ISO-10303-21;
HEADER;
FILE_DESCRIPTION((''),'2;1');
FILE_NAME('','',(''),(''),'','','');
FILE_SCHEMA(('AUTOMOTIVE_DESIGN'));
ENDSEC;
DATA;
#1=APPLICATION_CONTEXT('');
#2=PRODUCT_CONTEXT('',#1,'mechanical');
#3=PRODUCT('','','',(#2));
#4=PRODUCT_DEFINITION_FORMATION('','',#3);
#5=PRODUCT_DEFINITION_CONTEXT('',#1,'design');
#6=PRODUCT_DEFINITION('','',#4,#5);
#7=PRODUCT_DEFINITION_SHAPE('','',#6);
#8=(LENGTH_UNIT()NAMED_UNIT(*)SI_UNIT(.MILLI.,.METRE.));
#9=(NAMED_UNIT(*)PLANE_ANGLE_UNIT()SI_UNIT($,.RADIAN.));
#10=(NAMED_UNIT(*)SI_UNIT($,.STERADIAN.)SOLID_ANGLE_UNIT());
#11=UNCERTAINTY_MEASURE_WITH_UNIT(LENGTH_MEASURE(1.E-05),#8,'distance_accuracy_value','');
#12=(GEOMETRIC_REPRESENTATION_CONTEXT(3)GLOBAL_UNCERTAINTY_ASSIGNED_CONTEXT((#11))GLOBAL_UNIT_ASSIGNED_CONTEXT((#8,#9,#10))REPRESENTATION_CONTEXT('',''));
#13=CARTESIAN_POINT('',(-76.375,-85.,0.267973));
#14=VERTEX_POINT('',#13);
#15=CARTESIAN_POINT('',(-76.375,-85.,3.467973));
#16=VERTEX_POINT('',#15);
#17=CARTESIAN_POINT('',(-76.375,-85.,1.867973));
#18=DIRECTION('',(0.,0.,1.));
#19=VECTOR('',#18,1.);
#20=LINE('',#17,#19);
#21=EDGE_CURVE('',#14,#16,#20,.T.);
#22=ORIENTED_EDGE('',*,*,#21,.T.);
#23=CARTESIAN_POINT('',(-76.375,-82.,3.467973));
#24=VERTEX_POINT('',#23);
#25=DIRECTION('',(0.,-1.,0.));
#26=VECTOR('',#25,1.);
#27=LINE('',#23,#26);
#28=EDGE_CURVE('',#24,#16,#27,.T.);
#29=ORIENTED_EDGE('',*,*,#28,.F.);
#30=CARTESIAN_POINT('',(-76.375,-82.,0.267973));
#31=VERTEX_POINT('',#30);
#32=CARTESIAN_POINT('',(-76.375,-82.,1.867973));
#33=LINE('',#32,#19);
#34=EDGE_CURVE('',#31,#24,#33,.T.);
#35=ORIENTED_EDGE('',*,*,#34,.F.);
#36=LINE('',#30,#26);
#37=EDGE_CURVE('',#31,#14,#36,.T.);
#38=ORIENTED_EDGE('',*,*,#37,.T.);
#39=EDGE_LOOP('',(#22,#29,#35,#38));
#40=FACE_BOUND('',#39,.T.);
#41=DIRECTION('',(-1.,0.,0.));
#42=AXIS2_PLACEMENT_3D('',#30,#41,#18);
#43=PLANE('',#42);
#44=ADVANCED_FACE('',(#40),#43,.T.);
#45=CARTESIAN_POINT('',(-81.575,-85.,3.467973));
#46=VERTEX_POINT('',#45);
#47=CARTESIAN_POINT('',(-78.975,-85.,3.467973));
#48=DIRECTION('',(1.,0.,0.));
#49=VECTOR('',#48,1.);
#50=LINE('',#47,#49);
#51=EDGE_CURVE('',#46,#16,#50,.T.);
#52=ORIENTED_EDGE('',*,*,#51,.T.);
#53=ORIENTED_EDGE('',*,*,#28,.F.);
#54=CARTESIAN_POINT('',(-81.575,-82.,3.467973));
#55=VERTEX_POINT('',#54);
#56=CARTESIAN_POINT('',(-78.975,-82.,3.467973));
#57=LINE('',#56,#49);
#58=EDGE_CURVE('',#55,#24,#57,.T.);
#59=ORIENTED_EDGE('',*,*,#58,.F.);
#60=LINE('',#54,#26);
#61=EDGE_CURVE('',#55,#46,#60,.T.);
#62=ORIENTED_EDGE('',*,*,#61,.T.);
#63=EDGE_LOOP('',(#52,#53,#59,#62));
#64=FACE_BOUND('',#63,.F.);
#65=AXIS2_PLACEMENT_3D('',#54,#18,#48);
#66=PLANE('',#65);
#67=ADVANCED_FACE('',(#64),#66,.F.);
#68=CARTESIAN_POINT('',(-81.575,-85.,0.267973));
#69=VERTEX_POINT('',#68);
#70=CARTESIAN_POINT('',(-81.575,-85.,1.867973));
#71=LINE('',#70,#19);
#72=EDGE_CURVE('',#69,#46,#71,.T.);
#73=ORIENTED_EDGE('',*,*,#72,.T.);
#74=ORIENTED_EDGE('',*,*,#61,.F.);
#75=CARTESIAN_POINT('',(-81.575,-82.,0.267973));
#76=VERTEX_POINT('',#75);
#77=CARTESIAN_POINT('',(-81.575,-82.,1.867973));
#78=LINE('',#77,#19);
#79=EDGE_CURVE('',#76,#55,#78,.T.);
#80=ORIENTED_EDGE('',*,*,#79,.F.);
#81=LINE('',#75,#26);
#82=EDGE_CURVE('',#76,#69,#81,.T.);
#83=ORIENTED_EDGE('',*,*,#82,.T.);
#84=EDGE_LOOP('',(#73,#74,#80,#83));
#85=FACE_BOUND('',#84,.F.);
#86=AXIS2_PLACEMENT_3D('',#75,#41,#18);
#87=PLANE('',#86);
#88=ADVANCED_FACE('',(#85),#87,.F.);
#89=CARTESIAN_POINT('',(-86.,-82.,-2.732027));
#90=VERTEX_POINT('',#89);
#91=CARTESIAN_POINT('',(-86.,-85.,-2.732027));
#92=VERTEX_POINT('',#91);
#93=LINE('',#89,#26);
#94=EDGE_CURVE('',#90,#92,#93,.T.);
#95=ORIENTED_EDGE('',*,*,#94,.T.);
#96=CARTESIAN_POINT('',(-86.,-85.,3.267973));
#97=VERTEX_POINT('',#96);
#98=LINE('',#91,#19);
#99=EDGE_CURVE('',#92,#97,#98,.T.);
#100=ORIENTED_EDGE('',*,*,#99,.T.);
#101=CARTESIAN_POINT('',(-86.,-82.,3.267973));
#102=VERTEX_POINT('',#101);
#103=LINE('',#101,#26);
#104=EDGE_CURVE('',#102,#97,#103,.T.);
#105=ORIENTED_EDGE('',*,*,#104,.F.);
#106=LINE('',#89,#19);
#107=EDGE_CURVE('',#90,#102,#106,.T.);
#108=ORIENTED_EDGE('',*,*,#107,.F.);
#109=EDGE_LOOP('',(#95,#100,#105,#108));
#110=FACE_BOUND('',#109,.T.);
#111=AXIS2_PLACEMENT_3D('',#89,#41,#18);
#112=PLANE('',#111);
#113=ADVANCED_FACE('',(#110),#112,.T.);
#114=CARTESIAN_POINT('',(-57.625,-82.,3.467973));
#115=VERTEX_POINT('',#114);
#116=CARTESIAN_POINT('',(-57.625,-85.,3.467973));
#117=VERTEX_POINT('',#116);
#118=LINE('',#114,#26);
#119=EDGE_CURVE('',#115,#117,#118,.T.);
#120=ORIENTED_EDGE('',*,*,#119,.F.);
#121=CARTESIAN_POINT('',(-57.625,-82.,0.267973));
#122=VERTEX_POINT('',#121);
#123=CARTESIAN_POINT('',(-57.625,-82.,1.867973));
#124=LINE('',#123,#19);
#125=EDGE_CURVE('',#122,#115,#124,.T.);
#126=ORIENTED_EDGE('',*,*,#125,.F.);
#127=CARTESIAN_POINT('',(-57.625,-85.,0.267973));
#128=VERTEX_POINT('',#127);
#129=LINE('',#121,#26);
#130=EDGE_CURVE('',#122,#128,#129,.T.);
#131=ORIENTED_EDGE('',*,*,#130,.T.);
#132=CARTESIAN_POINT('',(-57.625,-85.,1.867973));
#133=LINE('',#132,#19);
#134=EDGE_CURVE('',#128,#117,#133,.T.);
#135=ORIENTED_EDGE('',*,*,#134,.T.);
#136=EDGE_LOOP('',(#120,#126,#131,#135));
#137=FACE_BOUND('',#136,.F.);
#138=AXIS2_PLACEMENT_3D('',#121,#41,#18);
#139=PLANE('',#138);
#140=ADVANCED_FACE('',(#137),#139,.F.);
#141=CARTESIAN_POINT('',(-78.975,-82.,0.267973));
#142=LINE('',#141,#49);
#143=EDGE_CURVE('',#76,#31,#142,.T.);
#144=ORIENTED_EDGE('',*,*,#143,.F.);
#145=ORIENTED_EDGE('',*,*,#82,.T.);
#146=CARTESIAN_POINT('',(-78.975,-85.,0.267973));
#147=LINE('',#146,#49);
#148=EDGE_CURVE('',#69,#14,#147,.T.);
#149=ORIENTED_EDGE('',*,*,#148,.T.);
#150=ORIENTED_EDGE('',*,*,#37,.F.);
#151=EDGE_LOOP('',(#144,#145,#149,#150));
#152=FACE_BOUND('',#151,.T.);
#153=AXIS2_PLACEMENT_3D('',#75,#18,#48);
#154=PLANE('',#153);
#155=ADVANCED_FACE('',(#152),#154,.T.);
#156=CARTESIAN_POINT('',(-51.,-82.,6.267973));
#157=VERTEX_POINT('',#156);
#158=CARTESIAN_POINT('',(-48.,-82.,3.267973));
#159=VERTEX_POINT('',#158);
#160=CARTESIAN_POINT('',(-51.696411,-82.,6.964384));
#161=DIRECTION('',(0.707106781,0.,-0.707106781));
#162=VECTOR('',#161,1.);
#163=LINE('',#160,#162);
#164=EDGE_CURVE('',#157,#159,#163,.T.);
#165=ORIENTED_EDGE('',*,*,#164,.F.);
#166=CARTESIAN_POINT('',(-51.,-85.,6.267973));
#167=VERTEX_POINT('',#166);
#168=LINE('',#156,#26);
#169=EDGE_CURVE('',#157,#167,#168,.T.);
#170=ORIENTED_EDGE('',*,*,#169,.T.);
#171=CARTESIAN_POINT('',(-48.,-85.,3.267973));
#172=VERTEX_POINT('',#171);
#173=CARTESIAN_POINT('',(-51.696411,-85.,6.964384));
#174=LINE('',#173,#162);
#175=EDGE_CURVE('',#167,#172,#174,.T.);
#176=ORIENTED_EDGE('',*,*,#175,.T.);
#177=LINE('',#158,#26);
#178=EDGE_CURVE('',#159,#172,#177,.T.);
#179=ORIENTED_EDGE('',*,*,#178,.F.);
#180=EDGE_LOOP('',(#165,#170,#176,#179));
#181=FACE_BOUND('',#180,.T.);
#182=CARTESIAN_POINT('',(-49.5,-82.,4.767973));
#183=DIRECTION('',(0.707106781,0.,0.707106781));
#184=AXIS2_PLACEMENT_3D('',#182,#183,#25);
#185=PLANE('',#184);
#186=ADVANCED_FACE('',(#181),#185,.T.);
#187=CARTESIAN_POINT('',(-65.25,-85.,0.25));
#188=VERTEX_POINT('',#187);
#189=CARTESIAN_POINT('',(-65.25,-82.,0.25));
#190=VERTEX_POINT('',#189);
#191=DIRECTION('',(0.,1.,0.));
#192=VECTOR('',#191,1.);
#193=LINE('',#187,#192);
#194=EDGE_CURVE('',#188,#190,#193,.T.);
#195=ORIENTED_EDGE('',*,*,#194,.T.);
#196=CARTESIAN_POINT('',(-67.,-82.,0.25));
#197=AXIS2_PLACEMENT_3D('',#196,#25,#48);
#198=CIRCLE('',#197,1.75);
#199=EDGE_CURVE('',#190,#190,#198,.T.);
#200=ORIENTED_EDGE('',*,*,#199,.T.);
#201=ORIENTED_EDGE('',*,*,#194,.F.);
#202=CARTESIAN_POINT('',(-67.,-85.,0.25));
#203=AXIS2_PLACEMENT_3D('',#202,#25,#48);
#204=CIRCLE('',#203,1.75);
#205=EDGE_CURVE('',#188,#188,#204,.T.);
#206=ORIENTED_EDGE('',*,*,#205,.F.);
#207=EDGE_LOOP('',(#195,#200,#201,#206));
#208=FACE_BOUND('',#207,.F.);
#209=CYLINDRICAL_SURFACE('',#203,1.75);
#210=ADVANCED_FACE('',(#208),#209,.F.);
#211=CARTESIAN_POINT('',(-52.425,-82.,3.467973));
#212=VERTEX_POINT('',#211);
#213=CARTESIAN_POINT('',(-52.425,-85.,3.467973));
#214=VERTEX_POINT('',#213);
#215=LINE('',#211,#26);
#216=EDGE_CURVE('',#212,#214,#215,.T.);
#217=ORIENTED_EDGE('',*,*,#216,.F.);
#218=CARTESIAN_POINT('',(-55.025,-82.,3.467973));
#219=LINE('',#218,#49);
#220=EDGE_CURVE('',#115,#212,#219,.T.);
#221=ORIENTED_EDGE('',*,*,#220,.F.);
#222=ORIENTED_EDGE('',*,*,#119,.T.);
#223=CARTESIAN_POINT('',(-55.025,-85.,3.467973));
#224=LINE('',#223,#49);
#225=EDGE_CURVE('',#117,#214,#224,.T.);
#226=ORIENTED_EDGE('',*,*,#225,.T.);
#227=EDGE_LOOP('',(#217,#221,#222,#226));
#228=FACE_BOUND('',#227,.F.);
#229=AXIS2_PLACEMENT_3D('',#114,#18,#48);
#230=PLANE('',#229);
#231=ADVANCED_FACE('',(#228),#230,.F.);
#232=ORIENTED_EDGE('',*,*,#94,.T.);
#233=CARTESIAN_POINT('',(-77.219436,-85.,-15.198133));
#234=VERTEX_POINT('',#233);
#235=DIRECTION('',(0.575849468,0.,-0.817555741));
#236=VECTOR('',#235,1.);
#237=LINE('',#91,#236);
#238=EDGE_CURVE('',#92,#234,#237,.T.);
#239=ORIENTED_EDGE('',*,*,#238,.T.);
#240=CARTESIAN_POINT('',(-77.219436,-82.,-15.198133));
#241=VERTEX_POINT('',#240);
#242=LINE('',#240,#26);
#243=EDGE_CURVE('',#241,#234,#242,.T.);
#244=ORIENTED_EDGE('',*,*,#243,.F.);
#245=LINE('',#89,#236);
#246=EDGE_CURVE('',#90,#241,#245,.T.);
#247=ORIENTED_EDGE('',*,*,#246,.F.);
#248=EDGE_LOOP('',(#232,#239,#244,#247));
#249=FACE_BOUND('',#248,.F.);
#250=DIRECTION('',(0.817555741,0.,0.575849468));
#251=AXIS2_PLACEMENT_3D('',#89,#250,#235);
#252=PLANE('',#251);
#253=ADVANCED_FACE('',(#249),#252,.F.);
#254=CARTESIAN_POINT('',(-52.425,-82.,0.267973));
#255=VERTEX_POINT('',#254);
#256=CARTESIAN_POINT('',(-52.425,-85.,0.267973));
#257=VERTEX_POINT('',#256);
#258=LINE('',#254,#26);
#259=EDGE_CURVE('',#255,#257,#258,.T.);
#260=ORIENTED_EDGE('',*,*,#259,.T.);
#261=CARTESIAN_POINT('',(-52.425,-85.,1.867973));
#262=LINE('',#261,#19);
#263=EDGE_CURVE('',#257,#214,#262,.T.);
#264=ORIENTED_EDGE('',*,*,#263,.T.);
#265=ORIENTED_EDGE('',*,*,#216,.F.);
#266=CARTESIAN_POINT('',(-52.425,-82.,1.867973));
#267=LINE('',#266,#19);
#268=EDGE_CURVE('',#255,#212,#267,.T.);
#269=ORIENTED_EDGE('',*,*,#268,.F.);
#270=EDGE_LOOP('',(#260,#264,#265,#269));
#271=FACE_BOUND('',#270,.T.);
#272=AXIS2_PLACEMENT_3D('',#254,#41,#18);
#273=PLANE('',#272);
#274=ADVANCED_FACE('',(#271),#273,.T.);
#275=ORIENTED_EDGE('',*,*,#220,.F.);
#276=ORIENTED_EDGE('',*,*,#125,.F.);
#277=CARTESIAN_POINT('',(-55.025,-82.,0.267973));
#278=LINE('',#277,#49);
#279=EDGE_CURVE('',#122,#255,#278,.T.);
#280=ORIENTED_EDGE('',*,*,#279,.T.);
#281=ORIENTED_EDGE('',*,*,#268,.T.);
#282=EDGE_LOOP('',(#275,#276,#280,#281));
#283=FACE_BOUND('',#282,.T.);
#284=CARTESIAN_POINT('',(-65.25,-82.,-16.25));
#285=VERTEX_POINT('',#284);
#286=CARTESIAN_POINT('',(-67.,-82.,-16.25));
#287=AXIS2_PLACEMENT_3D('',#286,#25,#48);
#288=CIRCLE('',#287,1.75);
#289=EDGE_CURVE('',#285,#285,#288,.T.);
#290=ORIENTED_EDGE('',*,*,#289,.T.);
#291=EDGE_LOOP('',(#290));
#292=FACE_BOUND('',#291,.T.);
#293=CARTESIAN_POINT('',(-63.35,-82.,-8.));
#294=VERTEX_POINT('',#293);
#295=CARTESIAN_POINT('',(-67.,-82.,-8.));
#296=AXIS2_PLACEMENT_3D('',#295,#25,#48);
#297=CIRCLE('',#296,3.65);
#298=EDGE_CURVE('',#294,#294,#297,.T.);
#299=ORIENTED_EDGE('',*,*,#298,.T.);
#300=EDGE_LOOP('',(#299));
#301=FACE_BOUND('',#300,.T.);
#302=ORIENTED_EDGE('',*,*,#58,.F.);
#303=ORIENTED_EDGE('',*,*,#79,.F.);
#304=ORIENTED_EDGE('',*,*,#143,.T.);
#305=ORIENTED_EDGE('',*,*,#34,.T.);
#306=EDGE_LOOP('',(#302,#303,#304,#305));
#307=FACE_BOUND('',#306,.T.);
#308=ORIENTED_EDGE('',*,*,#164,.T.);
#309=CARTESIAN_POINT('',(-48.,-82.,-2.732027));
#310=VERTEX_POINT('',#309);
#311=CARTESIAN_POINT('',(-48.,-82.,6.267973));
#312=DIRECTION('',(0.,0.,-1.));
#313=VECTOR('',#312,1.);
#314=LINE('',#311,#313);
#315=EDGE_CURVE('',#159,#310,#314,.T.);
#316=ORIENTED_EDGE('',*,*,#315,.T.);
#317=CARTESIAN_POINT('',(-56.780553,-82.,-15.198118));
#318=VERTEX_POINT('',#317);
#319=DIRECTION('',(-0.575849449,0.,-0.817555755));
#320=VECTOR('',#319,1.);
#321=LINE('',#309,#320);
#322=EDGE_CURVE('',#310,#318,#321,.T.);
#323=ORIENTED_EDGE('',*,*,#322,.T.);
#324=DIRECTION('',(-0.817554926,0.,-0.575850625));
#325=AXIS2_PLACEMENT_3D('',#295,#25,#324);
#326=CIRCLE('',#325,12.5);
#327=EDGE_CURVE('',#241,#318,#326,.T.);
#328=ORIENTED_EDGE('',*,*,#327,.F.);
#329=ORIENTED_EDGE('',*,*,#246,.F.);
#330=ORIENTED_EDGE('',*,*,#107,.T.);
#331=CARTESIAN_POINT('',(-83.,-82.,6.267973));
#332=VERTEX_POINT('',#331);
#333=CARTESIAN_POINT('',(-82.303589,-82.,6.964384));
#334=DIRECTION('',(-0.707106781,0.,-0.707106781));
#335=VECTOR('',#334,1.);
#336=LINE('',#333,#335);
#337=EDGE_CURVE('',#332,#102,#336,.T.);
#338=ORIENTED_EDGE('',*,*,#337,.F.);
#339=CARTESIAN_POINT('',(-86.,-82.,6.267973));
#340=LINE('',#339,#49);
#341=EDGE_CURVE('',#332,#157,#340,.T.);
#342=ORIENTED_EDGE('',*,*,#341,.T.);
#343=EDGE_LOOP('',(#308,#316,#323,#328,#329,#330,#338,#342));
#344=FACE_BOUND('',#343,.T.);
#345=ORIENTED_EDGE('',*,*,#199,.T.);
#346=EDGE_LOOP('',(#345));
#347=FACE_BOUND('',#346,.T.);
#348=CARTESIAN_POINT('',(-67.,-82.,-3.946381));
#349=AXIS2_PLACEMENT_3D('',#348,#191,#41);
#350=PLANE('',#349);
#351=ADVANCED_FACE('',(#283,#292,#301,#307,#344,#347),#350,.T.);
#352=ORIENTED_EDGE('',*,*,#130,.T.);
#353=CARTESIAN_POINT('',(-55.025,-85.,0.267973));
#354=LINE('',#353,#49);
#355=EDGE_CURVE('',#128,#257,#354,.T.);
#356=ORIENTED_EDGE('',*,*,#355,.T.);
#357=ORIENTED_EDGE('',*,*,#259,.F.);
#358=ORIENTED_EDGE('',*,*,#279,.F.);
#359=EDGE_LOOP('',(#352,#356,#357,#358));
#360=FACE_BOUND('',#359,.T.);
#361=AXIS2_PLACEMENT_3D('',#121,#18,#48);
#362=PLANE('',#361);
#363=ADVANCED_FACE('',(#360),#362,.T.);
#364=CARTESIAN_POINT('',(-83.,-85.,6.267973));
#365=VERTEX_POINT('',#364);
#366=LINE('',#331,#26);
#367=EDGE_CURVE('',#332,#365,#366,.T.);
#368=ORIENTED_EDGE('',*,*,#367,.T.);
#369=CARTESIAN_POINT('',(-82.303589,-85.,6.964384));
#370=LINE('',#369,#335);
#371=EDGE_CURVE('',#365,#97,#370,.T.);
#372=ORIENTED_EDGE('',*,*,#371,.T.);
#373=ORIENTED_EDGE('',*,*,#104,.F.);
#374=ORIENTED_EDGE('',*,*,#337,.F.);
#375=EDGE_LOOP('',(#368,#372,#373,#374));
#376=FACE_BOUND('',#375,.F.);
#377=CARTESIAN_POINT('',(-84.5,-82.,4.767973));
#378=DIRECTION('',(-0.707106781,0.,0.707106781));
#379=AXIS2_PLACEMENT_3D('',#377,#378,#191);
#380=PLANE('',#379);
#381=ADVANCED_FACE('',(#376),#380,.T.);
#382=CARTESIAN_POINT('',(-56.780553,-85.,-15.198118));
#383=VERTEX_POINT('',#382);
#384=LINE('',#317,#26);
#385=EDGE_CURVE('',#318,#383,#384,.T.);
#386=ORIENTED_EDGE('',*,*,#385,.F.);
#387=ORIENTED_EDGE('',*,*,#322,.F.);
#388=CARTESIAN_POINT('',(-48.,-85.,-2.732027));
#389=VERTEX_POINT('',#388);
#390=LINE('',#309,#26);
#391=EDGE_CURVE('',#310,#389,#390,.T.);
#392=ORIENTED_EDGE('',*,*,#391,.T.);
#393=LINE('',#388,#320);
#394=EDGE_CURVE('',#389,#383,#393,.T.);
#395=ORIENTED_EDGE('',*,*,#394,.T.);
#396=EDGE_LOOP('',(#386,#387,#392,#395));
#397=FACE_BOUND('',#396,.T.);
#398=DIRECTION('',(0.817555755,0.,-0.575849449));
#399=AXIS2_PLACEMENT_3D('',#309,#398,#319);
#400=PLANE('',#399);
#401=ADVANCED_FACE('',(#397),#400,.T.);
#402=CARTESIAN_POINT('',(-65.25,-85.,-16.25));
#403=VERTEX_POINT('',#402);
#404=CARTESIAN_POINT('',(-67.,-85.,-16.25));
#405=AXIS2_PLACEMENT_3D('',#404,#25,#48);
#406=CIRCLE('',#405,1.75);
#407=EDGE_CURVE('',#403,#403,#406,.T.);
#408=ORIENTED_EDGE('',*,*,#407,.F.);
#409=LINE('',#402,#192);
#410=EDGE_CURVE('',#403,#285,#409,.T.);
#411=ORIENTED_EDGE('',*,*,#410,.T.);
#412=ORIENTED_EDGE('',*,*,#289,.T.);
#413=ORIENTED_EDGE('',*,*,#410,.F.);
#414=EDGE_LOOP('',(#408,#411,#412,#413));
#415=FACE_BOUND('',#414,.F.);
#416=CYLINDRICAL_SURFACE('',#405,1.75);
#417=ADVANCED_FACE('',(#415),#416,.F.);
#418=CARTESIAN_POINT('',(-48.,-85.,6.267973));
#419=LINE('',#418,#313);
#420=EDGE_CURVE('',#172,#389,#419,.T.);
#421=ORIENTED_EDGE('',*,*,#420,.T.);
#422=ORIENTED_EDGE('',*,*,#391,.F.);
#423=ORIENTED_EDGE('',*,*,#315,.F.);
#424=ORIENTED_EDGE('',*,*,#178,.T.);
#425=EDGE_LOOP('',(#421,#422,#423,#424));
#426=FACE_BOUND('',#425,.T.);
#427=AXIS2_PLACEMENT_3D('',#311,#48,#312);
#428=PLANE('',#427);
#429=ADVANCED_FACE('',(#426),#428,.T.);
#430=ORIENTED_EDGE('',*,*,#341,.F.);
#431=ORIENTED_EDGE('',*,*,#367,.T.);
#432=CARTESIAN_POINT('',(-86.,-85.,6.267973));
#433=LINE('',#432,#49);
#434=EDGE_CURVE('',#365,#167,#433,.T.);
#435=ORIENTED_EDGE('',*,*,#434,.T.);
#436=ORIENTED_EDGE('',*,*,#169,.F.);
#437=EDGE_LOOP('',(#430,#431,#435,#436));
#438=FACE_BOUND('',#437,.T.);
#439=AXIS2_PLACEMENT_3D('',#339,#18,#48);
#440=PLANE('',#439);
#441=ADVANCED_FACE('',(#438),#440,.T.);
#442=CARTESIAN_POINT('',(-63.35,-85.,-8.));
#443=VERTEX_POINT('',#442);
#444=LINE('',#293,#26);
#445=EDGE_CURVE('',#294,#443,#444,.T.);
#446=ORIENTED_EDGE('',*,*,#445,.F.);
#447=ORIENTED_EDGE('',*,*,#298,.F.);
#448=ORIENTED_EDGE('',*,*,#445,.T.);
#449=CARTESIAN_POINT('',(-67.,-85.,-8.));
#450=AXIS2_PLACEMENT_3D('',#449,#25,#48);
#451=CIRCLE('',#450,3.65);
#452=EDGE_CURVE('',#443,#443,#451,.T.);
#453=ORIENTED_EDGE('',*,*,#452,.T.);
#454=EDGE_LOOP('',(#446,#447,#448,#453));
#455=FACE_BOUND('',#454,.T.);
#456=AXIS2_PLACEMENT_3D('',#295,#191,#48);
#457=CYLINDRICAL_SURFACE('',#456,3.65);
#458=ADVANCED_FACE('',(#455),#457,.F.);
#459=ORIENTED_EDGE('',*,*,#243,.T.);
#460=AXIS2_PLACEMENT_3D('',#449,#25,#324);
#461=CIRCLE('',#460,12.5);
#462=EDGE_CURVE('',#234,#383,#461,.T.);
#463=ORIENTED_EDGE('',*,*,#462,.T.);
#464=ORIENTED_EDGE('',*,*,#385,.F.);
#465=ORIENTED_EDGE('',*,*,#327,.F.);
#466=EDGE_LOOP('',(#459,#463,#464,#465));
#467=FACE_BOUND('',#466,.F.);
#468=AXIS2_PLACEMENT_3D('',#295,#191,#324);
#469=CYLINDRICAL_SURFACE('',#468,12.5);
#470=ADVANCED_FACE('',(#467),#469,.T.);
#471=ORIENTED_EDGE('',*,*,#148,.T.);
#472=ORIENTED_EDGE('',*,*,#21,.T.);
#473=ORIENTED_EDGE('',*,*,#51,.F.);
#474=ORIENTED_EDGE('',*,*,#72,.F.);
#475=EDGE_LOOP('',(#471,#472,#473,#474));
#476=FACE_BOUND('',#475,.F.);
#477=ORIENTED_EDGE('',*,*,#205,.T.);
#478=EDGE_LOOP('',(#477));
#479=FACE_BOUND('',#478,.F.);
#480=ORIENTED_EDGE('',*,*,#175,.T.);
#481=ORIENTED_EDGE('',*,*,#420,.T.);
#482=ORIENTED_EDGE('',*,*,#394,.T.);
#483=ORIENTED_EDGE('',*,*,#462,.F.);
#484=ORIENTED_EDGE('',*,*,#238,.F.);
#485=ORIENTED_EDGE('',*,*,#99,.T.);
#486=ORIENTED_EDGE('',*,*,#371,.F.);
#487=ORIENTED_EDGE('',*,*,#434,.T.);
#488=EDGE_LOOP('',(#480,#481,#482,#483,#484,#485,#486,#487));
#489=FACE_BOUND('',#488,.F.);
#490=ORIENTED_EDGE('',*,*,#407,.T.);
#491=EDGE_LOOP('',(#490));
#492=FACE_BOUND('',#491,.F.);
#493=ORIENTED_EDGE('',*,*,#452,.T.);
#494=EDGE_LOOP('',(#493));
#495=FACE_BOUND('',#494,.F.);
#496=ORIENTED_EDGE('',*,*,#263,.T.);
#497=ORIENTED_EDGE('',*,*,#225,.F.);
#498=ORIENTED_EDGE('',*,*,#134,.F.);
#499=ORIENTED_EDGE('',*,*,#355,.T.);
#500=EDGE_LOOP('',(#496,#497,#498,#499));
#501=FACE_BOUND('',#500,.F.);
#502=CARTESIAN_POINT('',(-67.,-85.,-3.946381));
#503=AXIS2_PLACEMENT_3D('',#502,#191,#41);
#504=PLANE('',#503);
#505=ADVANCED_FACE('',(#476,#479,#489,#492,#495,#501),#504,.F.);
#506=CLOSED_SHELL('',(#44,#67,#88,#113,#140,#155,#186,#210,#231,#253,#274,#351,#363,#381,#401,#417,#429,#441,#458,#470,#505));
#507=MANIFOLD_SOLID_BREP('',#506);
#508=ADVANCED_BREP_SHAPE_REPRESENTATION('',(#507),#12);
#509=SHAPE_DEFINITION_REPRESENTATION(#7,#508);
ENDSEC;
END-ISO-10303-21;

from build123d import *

# Parameters (mm, degrees)
SKETCH003_R             = 3.65
SKETCH003_W             = 5.2
SKETCH003_H             = 3.2
PAD003_DEPTH            = 3
SKETCH009_R             = 1.75
POCKET004_DEPTH         = 3.001
CHAMFER_SIZE            = 3
BODY002_PLACEMENT_ANGLE = 90


with BuildPart() as part:
    # Sketch003 → Pad003 (new body)
    with BuildSketch(Plane.XY):
        with BuildLine():
            Line((-19, 14.267973), (19, 14.267973))
            Line((19, 14.267973), (19, 5.267973))
            Line((19, 5.267973), (10.219447, -7.198118))
            ThreePointArc((-10.219436, -7.198133), (9e-06, -12.5), (10.219447, -7.198118))
            Line((-19, 5.267973), (-10.219436, -7.198133))
            Line((-19, 5.267973), (-19, 14.267973))
        make_face()
        Circle(SKETCH003_R, mode=Mode.SUBTRACT)
        with Locations((-11.975, 9.867973)):
            Rectangle(SKETCH003_W, SKETCH003_H, mode=Mode.SUBTRACT)
        with Locations((11.975, 9.867973)):
            Rectangle(SKETCH003_W, SKETCH003_H, mode=Mode.SUBTRACT)
    extrude(amount=PAD003_DEPTH)

    # Sketch009 (on Face17 of Pad003) → Pocket004 (cut, through all)
    with BuildSketch(Plane.XY.offset(3)):
        with Locations((0, 8.25)):
            Circle(SKETCH009_R)
        with Locations((0, -8.25)):
            Circle(SKETCH009_R)
    extrude(amount=-POCKET004_DEPTH, mode=Mode.SUBTRACT)

    # Chamfer
    chamfer_edges = [part.edges().sort_by_distance(p)[0] for p in [
        (-19, 14.267973, 1.5),
        (19, 14.267973, 1.5),
    ]]
    chamfer(chamfer_edges, length=CHAMFER_SIZE)


with BuildPart() as part_1:
    # Body002 placement: moved
    add(part.part.moved(Location((-67, -82, -8))).rotate(Axis((-67, -82, -8), (1, 0, 0)), BODY002_PLACEMENT_ANGLE))


solid = part_1.part
